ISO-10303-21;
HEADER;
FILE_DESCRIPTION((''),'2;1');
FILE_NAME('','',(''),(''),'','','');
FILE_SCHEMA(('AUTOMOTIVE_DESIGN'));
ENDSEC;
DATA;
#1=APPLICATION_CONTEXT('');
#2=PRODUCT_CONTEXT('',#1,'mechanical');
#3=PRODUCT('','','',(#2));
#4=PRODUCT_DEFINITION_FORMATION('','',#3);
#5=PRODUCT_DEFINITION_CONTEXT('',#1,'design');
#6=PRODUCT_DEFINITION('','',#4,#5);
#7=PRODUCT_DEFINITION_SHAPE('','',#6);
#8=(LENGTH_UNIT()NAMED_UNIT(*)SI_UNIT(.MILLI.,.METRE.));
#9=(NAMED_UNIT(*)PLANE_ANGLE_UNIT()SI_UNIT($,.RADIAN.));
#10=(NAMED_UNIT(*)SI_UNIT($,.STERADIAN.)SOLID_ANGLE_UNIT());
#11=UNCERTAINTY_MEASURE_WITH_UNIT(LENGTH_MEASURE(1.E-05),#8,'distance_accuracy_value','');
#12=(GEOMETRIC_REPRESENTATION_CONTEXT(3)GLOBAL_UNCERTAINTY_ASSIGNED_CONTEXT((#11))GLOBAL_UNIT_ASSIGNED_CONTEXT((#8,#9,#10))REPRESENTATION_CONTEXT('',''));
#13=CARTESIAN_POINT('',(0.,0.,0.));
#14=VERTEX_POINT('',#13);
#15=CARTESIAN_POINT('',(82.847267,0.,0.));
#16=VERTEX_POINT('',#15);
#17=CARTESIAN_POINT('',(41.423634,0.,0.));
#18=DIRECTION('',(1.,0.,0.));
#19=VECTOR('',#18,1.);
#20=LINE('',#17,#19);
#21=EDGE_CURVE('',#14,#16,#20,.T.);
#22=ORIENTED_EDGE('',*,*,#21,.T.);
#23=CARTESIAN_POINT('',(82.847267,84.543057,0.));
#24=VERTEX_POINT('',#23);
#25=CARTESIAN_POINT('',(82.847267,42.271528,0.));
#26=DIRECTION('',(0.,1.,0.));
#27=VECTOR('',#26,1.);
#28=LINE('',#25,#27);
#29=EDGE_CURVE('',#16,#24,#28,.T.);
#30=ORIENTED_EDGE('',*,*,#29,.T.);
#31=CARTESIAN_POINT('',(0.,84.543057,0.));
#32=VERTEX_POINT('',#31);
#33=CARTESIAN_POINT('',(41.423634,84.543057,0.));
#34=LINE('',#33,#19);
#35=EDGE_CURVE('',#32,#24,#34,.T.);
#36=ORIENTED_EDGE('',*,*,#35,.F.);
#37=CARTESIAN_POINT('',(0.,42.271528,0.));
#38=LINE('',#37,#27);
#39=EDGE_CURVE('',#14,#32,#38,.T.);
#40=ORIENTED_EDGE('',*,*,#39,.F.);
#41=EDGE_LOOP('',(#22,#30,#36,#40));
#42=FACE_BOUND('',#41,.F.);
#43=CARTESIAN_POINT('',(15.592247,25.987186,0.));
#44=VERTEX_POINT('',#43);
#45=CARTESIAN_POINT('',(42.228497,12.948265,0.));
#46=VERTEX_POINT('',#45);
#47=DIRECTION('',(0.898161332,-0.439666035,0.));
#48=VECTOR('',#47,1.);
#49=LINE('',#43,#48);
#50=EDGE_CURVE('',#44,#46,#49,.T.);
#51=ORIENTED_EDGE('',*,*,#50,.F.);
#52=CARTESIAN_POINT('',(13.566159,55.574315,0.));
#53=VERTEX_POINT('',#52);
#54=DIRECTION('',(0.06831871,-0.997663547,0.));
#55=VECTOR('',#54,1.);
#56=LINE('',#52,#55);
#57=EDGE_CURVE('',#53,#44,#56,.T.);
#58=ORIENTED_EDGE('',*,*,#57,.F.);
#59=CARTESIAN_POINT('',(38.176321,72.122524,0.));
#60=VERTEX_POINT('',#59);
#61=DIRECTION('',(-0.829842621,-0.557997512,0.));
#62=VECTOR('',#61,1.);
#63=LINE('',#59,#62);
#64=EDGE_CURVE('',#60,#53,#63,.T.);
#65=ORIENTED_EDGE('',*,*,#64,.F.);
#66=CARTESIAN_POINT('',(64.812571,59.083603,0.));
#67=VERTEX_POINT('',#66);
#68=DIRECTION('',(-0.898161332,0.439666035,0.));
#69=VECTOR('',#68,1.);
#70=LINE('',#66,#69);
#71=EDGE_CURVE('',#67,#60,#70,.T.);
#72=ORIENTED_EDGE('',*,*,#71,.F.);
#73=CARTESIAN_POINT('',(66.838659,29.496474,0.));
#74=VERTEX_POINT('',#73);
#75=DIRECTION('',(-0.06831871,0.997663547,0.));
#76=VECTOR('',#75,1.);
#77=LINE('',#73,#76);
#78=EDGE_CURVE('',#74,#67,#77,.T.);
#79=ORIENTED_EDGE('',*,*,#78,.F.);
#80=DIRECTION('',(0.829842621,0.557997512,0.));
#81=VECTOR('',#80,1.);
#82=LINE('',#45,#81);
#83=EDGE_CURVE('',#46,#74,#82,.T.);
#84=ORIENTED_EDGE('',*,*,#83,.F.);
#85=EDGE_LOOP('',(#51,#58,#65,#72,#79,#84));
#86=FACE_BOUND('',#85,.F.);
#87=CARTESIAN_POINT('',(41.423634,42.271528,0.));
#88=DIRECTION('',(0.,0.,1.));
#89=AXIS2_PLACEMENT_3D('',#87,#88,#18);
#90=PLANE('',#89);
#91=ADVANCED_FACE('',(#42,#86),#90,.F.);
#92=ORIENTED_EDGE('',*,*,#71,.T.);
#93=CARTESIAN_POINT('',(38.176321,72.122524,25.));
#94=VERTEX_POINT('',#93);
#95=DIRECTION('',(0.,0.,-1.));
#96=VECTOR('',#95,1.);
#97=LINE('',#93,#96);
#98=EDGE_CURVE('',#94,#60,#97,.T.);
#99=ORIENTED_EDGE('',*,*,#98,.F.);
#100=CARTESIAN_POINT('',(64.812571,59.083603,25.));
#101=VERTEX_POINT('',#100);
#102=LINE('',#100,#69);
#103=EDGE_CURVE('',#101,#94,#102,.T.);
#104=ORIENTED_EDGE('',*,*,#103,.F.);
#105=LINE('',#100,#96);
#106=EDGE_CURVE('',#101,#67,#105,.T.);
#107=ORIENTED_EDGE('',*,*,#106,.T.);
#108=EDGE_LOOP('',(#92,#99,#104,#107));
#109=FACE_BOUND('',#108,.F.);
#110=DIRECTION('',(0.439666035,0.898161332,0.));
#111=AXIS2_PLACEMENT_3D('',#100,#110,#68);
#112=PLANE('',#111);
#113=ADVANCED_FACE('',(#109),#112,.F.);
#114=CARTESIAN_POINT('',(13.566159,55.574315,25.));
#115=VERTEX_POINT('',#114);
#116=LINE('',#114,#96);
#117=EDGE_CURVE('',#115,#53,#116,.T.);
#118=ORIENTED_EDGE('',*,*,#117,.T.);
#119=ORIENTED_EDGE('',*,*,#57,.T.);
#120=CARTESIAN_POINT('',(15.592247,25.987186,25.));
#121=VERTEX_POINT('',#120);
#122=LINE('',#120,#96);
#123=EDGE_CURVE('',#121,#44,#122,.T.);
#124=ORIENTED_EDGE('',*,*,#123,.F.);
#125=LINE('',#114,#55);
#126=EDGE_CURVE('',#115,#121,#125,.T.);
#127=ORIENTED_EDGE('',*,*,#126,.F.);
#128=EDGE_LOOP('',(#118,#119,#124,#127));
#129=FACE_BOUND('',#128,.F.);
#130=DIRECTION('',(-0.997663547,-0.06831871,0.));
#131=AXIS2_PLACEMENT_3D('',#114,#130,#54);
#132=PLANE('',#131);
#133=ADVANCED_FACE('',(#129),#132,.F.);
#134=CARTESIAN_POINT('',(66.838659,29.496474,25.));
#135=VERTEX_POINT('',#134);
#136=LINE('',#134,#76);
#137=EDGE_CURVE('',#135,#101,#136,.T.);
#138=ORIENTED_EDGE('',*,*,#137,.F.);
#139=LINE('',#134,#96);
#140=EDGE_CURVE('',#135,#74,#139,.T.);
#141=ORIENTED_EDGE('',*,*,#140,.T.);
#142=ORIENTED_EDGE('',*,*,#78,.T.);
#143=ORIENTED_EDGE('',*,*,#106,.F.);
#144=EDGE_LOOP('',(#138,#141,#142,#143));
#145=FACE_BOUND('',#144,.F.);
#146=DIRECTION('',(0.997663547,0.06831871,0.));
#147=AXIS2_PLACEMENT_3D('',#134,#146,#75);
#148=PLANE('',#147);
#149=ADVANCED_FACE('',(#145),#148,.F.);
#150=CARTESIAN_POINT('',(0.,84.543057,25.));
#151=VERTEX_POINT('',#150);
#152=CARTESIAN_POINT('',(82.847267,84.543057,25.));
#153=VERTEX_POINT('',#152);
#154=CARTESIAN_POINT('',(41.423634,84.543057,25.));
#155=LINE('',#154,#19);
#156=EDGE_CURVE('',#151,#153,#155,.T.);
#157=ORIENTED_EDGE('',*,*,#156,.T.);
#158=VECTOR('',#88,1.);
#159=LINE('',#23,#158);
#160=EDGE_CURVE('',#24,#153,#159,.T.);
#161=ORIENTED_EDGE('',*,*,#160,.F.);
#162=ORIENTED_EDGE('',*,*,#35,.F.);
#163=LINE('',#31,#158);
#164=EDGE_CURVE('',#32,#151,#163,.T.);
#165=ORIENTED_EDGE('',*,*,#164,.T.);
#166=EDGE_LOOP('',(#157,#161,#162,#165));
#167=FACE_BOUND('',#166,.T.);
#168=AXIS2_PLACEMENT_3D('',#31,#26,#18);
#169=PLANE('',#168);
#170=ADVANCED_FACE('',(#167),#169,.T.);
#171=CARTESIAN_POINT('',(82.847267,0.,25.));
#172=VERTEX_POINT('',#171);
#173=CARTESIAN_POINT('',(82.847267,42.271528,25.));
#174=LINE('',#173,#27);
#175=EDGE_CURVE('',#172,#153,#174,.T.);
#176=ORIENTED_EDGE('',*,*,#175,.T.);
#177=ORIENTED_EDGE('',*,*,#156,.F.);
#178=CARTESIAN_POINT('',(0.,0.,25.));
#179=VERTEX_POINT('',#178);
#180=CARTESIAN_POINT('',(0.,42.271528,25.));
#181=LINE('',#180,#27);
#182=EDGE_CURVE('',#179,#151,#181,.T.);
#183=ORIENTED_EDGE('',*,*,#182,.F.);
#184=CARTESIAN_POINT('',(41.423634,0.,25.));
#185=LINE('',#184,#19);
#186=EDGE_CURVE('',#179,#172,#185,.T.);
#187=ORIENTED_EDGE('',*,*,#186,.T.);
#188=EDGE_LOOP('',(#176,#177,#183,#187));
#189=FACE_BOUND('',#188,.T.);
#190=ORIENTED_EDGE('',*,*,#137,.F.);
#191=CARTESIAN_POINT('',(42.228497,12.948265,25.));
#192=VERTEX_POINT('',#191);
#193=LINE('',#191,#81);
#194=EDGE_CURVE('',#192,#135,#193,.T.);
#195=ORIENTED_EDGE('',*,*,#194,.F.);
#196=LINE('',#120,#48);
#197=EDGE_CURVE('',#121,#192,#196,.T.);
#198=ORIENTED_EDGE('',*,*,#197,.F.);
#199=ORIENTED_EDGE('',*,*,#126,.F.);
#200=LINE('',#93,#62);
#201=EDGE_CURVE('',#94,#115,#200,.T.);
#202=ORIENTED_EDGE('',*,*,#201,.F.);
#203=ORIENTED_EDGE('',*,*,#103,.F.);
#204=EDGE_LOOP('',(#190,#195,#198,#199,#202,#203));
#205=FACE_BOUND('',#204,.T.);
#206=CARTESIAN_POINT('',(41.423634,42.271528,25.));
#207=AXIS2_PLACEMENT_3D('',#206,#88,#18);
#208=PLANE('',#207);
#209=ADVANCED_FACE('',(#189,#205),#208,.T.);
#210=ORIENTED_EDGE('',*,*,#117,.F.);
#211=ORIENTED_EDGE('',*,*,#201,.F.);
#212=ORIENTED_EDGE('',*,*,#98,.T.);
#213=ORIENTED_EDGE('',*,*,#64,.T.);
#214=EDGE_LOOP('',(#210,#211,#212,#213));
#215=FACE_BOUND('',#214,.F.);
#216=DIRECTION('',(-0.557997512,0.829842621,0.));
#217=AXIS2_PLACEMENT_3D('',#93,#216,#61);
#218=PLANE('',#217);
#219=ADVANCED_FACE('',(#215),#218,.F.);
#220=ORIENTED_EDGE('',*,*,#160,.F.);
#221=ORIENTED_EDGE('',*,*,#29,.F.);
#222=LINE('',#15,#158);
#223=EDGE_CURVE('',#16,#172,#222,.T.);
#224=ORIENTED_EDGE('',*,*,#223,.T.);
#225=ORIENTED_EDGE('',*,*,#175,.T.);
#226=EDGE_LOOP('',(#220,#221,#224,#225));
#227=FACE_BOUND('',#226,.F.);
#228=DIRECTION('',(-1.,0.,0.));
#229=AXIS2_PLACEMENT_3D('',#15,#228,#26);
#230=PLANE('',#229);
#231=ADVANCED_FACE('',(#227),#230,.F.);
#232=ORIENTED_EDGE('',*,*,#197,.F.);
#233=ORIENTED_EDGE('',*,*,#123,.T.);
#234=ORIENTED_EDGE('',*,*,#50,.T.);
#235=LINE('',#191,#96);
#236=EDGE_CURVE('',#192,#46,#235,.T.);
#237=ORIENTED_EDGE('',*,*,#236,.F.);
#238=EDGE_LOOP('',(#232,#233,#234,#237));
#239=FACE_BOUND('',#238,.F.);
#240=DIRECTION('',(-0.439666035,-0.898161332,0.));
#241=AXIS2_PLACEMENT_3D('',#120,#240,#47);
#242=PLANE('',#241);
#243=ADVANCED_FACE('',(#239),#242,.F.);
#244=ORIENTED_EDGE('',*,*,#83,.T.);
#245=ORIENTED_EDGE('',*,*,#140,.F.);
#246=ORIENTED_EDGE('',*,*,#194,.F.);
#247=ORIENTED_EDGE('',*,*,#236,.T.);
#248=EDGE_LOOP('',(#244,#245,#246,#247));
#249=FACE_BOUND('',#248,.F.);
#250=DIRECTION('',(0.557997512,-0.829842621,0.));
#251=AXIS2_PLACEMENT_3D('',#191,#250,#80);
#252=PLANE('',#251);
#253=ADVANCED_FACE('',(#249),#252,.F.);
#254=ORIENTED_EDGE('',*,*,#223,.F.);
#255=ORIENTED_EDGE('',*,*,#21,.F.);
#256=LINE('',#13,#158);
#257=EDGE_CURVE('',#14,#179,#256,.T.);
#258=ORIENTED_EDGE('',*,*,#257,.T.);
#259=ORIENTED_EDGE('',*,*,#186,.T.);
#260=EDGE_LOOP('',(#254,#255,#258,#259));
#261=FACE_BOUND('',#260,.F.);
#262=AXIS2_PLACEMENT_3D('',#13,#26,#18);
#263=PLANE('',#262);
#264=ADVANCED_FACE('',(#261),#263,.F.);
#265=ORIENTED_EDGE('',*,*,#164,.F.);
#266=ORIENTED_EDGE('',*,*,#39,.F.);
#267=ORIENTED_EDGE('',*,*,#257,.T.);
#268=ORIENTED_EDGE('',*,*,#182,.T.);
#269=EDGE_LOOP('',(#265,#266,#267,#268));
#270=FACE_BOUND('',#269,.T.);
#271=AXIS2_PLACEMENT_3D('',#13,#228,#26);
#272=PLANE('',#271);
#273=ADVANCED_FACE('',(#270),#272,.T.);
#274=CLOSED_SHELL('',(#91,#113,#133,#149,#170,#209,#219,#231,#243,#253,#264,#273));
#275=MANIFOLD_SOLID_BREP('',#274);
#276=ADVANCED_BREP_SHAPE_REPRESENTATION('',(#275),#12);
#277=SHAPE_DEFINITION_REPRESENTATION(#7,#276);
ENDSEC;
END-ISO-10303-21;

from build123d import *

# Parameters (mm, degrees)
F0_W          = 82.8472673893
F0_H          = 84.5430567861
F1_DEPTH      = 25
F3_DEPTH      = 215.0975316763
F3_TAPER      = -3
F3_DEPTH_BACK = 25


with BuildPart() as f1:
    # F0 (on Top) → F1 (new body)
    with BuildSketch(Plane.XY):
        with Locations((41.4236336946, 42.271528393)):
            Rectangle(F0_W, F0_H)
    extrude(amount=F1_DEPTH)

    # F2 (on face) → F3 (cut, two sides)
    with BuildSketch(Plane.XY.offset(25)) as f3_sk:
        Polygon((66.8386592076, 29.4964735825), (64.8125708103, 59.0836033225), (38.1763206318, 72.1225241702), (13.5661588504, 55.5743152778), (15.5922472477, 25.9871855378), (42.2284974263, 12.9482646901), align=None)
    extrude(amount=F3_DEPTH, taper=F3_TAPER, mode=Mode.SUBTRACT)
    extrude(f3_sk.sketch, amount=-F3_DEPTH_BACK, mode=Mode.SUBTRACT)


solid = f1.part
